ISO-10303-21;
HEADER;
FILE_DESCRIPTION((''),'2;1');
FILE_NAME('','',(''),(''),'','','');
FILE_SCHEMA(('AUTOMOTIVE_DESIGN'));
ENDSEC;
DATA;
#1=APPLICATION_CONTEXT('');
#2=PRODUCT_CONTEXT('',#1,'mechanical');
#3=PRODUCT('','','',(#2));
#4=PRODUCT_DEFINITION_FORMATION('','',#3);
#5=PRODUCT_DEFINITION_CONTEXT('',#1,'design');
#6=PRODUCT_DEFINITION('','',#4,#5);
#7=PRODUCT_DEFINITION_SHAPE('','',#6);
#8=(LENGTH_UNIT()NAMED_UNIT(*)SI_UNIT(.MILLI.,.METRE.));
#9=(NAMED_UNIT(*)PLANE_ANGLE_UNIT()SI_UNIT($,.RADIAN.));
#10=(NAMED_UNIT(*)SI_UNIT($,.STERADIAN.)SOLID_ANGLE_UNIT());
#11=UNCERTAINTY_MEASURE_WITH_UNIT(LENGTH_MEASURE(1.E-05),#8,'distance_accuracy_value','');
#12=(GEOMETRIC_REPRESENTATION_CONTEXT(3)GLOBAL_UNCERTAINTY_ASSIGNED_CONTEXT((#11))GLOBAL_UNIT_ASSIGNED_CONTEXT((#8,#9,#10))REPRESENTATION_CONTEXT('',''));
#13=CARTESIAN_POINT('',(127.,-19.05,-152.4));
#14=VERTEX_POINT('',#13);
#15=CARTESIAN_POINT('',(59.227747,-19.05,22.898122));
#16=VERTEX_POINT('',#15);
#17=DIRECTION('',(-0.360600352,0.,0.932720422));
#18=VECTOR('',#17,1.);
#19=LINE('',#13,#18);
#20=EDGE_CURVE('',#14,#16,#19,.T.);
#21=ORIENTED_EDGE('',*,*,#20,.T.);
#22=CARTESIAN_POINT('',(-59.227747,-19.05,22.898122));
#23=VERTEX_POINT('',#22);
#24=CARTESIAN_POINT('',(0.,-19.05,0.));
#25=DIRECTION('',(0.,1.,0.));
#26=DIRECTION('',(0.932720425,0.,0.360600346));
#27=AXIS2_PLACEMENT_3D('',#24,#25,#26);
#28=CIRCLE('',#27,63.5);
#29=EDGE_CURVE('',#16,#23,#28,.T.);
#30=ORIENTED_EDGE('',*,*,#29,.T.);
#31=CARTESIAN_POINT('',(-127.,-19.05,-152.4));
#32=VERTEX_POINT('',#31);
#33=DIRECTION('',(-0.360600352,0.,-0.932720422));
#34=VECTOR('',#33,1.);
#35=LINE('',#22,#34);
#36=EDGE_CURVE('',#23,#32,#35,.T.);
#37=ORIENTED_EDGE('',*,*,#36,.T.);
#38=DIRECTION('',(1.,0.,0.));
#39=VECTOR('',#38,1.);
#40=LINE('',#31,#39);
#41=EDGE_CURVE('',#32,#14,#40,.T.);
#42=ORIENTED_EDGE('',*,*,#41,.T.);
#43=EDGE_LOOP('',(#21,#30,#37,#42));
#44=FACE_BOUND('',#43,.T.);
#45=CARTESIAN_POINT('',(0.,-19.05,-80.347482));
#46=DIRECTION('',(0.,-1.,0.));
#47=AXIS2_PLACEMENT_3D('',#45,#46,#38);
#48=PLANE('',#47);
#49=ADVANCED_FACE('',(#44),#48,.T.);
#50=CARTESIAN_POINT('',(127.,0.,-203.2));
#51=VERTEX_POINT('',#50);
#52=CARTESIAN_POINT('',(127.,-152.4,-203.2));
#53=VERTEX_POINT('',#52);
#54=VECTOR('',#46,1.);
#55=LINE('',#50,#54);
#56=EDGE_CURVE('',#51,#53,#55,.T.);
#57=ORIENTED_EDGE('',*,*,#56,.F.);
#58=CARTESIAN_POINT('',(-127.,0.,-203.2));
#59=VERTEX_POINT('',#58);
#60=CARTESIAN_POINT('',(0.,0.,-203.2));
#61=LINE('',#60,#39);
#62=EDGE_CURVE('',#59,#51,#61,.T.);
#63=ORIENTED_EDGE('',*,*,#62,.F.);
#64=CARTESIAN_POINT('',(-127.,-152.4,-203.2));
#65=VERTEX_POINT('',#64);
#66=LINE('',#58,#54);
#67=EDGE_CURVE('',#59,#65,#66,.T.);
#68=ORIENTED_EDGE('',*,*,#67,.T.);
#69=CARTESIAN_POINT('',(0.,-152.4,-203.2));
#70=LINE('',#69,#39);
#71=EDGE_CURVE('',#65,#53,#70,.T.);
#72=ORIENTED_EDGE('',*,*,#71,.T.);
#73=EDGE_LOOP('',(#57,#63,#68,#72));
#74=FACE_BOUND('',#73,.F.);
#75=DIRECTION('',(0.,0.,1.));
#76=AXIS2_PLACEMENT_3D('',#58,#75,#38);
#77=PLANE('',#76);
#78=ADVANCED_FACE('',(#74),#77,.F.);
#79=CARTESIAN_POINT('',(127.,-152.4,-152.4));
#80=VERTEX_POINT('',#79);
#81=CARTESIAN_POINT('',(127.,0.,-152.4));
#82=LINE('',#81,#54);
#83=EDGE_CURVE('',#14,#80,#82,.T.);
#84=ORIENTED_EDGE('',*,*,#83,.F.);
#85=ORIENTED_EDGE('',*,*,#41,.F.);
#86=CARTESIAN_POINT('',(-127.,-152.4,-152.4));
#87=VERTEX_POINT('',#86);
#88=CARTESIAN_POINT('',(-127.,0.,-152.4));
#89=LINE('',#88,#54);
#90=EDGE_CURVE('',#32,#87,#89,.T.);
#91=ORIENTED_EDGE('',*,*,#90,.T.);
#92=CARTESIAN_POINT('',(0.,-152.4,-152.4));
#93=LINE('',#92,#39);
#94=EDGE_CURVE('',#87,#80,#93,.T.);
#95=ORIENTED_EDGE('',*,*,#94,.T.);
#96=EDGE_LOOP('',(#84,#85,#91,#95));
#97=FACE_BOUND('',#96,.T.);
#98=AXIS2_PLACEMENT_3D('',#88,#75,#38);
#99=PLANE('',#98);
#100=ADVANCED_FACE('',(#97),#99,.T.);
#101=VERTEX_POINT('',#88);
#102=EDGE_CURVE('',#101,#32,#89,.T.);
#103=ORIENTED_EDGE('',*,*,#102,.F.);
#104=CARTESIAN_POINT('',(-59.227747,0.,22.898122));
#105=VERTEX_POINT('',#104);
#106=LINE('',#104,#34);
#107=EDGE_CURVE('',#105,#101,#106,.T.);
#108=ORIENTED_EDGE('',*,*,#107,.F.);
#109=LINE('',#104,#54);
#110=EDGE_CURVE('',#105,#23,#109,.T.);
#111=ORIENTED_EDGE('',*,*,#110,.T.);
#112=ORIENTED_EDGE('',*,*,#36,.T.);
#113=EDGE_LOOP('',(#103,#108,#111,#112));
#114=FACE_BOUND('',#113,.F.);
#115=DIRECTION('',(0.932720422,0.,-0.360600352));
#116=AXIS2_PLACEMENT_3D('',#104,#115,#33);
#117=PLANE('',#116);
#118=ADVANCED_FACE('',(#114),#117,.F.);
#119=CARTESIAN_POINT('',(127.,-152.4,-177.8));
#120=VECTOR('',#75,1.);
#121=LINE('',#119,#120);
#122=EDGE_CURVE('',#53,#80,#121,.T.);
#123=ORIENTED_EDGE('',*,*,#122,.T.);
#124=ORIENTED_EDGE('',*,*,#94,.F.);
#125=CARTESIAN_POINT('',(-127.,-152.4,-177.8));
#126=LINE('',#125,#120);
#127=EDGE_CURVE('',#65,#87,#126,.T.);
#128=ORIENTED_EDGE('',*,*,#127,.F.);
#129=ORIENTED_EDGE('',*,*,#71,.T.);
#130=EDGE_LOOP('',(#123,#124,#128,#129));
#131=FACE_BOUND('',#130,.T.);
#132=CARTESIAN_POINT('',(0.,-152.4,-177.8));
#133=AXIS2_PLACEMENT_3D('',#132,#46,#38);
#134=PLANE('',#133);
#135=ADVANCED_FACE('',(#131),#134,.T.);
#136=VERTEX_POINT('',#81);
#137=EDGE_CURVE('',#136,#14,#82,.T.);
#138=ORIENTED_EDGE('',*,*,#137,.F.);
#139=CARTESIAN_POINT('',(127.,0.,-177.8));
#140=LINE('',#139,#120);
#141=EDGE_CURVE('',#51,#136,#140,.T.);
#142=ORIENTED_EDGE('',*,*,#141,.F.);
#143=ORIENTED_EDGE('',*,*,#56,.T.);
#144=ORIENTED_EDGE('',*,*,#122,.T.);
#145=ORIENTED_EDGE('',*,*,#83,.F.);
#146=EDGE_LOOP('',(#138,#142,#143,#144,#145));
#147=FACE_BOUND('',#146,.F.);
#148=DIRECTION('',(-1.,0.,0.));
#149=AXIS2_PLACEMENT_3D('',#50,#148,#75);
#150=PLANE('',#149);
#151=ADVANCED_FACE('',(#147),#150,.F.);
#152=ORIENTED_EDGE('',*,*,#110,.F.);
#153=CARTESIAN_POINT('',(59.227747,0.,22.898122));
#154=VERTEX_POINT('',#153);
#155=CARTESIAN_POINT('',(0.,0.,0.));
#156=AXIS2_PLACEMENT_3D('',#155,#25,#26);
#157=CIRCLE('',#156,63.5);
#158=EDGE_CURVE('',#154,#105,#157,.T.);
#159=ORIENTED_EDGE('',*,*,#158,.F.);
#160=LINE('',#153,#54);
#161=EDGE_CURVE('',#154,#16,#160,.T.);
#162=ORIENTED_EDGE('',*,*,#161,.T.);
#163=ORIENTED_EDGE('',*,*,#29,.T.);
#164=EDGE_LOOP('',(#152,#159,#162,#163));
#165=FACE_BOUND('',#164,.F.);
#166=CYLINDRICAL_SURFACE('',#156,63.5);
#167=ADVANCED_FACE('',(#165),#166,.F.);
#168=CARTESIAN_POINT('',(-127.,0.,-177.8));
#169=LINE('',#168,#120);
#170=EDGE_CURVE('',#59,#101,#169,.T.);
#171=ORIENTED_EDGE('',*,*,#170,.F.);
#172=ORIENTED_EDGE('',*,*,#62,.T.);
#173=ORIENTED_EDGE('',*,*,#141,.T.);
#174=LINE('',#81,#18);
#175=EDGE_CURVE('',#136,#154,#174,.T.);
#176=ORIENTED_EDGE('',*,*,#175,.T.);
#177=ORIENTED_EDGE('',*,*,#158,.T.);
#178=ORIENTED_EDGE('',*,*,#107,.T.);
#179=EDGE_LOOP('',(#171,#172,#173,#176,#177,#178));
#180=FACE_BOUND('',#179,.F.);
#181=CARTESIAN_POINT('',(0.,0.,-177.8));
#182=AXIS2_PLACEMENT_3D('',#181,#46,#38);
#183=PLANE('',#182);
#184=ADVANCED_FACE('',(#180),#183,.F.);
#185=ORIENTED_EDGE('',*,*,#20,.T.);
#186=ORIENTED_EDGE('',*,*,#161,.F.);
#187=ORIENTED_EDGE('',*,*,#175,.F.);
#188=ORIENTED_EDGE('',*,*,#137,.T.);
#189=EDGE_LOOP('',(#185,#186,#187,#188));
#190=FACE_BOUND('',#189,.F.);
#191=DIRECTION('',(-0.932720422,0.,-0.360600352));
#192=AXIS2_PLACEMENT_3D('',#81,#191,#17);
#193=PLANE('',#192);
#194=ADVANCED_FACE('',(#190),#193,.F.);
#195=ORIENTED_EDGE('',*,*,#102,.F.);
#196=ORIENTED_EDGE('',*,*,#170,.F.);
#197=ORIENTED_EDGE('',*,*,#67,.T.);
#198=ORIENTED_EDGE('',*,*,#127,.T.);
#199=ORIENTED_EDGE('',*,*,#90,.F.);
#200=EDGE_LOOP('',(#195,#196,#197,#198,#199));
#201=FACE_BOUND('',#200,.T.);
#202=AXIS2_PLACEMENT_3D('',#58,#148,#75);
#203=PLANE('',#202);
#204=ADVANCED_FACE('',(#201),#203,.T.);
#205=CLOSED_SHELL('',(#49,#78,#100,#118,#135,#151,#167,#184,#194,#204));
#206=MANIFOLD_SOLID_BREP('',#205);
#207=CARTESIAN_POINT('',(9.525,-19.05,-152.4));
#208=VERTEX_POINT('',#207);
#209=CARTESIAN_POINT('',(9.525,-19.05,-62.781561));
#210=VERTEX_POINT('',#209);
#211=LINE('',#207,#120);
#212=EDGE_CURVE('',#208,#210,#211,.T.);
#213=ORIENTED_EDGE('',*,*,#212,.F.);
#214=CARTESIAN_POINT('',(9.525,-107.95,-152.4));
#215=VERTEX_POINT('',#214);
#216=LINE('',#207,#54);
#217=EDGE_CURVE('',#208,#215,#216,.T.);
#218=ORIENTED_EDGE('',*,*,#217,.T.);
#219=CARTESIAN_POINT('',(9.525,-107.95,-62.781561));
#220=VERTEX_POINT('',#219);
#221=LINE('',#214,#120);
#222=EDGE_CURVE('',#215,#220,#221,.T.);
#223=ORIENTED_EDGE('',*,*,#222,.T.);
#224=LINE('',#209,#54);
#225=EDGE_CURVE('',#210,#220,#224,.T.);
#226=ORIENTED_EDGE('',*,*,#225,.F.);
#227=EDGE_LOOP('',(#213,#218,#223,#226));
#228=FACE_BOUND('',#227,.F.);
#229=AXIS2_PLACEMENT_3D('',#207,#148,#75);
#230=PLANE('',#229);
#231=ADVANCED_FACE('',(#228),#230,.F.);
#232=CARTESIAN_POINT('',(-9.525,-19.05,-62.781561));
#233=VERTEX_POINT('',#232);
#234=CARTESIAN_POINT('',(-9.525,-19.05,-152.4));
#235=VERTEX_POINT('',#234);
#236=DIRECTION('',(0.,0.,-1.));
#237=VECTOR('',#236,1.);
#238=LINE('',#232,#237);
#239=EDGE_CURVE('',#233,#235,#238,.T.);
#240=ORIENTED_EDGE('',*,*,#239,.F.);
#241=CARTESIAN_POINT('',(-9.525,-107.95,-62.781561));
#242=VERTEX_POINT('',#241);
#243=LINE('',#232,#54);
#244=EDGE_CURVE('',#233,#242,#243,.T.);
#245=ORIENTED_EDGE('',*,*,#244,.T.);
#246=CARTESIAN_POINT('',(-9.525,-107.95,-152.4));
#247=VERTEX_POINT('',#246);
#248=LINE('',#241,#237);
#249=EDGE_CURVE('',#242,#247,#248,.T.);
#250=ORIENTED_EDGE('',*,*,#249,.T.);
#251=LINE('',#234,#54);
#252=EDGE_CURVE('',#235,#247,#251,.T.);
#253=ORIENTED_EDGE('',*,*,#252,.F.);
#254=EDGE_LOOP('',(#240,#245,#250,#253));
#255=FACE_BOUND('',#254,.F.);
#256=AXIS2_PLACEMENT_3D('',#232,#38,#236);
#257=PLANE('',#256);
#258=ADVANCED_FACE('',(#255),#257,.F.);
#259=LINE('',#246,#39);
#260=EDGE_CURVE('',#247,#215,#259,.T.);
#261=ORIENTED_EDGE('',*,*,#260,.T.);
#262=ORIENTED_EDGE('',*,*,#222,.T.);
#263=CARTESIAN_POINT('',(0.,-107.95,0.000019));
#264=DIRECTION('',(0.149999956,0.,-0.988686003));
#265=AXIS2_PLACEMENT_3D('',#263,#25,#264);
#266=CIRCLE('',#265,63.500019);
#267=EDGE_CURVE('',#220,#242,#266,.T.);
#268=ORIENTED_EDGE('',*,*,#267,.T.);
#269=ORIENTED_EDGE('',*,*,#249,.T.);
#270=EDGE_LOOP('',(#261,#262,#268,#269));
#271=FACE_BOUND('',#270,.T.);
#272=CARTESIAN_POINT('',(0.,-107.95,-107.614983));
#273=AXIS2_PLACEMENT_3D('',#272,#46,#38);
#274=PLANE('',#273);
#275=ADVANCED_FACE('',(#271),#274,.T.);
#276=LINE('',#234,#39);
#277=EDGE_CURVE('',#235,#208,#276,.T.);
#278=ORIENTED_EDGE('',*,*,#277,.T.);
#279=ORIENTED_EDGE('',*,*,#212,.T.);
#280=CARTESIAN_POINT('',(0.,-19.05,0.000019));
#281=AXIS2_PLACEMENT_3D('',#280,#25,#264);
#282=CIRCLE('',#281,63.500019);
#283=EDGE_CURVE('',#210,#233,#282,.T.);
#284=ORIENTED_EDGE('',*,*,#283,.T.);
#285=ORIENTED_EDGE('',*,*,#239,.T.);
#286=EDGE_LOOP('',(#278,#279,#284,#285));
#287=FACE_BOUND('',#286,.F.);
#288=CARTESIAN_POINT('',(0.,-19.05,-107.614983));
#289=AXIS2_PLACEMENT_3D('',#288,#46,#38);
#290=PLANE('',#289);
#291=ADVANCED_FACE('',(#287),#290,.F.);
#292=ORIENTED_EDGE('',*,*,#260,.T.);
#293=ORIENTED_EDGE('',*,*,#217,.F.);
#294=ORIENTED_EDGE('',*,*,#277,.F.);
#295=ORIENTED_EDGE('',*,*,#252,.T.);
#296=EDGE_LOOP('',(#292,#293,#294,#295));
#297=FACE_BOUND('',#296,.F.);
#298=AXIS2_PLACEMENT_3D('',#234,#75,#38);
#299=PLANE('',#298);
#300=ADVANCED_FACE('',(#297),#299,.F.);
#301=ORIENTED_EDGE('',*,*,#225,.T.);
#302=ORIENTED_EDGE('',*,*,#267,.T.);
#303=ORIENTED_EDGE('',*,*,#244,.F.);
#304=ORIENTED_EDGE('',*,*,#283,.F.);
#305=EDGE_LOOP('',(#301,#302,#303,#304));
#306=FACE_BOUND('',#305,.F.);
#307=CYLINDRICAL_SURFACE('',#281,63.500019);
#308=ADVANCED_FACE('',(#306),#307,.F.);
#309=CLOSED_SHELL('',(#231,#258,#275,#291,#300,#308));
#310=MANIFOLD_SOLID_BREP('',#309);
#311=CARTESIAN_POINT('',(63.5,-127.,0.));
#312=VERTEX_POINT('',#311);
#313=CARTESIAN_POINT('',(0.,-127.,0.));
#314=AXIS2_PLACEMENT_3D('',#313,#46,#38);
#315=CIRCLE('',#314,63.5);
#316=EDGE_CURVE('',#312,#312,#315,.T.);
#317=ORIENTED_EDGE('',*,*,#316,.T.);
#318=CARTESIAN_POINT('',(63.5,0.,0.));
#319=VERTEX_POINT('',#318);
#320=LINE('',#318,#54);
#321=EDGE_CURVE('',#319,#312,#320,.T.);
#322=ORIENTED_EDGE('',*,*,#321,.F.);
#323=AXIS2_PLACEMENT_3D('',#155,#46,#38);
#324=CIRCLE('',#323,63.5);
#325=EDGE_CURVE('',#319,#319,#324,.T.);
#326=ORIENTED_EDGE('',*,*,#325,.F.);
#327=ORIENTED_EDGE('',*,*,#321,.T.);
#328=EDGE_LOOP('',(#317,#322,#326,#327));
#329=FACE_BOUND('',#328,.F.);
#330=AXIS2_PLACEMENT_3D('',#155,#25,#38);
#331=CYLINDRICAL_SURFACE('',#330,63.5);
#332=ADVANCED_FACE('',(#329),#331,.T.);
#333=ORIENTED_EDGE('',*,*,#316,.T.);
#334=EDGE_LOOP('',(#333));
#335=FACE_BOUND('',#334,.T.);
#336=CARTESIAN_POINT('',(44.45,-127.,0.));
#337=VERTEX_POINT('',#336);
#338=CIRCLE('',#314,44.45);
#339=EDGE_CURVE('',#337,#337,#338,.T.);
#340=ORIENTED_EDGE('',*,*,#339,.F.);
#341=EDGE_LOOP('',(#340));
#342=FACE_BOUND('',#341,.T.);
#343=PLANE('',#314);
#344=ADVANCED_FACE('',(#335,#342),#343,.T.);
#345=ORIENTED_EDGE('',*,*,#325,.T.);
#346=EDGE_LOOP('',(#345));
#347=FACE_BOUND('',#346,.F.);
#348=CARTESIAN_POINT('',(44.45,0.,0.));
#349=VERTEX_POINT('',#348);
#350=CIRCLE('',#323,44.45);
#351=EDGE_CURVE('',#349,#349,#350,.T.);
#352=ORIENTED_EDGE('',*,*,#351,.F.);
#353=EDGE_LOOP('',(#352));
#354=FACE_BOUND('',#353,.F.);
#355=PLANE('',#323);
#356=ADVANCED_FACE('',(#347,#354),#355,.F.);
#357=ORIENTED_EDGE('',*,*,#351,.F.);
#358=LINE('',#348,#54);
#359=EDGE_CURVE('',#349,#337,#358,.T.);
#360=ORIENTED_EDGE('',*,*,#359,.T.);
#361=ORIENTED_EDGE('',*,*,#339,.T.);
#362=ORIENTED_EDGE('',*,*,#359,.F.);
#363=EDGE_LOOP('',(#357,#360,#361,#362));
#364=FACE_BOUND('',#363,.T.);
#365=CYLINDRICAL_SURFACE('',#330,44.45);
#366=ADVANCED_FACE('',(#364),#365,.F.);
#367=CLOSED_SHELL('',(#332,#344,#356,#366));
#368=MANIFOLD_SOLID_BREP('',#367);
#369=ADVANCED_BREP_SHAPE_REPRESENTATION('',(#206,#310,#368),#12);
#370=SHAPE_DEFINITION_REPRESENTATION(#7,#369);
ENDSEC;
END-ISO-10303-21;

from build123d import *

# Parameters (mm, degrees)
F0_R     = 63.5
F0_R_2   = 44.45
F1_DEPTH = 127
F3_DEPTH = 19.05
F4_W     = 254
F4_H     = 50.8
F5_DEPTH = 152.4
F7_DEPTH = 88.9


with BuildPart() as f1:
    # F0 (on Front) → F1 (new body)
    with BuildSketch(Plane.XZ):
        Circle(F0_R)
        Circle(F0_R_2, mode=Mode.SUBTRACT)
    extrude(amount=F1_DEPTH)


with BuildPart() as f3:
    # F2 (on Front) → F3 (new body)
    with BuildSketch(Plane.XZ):
        with BuildLine():
            ThreePointArc((59.227747, 22.898122), (0, -63.5), (-59.227747, 22.898122))
            Line((-59.227747, 22.898122), (-127, -152.4))
            Line((-127, -152.4), (127, -152.4))
            Line((127, -152.4), (59.227747, 22.898122))
        make_face()
    extrude(amount=F3_DEPTH)

    # F4 (on Front) → F5 (join)
    with BuildSketch(Plane.XZ):
        with Locations((0, -177.8)):
            Rectangle(F4_W, F4_H)
    extrude(amount=F5_DEPTH)


with BuildPart() as f7:
    # F6 (on face) → F7 (new body)
    with BuildSketch(Plane.XZ.offset(19.05)):
        with BuildLine():
            Line((-9.525, -62.781561), (-9.525, -152.4))
            Line((-9.525, -152.4), (9.525, -152.4))
            Line((9.525, -152.4), (9.525, -62.781561))
            ThreePointArc((9.525, -62.781561), (0, -63.5), (-9.525, -62.781561))
        make_face()
    extrude(amount=F7_DEPTH)


solid = Compound([f1.part, f3.part, f7.part])
